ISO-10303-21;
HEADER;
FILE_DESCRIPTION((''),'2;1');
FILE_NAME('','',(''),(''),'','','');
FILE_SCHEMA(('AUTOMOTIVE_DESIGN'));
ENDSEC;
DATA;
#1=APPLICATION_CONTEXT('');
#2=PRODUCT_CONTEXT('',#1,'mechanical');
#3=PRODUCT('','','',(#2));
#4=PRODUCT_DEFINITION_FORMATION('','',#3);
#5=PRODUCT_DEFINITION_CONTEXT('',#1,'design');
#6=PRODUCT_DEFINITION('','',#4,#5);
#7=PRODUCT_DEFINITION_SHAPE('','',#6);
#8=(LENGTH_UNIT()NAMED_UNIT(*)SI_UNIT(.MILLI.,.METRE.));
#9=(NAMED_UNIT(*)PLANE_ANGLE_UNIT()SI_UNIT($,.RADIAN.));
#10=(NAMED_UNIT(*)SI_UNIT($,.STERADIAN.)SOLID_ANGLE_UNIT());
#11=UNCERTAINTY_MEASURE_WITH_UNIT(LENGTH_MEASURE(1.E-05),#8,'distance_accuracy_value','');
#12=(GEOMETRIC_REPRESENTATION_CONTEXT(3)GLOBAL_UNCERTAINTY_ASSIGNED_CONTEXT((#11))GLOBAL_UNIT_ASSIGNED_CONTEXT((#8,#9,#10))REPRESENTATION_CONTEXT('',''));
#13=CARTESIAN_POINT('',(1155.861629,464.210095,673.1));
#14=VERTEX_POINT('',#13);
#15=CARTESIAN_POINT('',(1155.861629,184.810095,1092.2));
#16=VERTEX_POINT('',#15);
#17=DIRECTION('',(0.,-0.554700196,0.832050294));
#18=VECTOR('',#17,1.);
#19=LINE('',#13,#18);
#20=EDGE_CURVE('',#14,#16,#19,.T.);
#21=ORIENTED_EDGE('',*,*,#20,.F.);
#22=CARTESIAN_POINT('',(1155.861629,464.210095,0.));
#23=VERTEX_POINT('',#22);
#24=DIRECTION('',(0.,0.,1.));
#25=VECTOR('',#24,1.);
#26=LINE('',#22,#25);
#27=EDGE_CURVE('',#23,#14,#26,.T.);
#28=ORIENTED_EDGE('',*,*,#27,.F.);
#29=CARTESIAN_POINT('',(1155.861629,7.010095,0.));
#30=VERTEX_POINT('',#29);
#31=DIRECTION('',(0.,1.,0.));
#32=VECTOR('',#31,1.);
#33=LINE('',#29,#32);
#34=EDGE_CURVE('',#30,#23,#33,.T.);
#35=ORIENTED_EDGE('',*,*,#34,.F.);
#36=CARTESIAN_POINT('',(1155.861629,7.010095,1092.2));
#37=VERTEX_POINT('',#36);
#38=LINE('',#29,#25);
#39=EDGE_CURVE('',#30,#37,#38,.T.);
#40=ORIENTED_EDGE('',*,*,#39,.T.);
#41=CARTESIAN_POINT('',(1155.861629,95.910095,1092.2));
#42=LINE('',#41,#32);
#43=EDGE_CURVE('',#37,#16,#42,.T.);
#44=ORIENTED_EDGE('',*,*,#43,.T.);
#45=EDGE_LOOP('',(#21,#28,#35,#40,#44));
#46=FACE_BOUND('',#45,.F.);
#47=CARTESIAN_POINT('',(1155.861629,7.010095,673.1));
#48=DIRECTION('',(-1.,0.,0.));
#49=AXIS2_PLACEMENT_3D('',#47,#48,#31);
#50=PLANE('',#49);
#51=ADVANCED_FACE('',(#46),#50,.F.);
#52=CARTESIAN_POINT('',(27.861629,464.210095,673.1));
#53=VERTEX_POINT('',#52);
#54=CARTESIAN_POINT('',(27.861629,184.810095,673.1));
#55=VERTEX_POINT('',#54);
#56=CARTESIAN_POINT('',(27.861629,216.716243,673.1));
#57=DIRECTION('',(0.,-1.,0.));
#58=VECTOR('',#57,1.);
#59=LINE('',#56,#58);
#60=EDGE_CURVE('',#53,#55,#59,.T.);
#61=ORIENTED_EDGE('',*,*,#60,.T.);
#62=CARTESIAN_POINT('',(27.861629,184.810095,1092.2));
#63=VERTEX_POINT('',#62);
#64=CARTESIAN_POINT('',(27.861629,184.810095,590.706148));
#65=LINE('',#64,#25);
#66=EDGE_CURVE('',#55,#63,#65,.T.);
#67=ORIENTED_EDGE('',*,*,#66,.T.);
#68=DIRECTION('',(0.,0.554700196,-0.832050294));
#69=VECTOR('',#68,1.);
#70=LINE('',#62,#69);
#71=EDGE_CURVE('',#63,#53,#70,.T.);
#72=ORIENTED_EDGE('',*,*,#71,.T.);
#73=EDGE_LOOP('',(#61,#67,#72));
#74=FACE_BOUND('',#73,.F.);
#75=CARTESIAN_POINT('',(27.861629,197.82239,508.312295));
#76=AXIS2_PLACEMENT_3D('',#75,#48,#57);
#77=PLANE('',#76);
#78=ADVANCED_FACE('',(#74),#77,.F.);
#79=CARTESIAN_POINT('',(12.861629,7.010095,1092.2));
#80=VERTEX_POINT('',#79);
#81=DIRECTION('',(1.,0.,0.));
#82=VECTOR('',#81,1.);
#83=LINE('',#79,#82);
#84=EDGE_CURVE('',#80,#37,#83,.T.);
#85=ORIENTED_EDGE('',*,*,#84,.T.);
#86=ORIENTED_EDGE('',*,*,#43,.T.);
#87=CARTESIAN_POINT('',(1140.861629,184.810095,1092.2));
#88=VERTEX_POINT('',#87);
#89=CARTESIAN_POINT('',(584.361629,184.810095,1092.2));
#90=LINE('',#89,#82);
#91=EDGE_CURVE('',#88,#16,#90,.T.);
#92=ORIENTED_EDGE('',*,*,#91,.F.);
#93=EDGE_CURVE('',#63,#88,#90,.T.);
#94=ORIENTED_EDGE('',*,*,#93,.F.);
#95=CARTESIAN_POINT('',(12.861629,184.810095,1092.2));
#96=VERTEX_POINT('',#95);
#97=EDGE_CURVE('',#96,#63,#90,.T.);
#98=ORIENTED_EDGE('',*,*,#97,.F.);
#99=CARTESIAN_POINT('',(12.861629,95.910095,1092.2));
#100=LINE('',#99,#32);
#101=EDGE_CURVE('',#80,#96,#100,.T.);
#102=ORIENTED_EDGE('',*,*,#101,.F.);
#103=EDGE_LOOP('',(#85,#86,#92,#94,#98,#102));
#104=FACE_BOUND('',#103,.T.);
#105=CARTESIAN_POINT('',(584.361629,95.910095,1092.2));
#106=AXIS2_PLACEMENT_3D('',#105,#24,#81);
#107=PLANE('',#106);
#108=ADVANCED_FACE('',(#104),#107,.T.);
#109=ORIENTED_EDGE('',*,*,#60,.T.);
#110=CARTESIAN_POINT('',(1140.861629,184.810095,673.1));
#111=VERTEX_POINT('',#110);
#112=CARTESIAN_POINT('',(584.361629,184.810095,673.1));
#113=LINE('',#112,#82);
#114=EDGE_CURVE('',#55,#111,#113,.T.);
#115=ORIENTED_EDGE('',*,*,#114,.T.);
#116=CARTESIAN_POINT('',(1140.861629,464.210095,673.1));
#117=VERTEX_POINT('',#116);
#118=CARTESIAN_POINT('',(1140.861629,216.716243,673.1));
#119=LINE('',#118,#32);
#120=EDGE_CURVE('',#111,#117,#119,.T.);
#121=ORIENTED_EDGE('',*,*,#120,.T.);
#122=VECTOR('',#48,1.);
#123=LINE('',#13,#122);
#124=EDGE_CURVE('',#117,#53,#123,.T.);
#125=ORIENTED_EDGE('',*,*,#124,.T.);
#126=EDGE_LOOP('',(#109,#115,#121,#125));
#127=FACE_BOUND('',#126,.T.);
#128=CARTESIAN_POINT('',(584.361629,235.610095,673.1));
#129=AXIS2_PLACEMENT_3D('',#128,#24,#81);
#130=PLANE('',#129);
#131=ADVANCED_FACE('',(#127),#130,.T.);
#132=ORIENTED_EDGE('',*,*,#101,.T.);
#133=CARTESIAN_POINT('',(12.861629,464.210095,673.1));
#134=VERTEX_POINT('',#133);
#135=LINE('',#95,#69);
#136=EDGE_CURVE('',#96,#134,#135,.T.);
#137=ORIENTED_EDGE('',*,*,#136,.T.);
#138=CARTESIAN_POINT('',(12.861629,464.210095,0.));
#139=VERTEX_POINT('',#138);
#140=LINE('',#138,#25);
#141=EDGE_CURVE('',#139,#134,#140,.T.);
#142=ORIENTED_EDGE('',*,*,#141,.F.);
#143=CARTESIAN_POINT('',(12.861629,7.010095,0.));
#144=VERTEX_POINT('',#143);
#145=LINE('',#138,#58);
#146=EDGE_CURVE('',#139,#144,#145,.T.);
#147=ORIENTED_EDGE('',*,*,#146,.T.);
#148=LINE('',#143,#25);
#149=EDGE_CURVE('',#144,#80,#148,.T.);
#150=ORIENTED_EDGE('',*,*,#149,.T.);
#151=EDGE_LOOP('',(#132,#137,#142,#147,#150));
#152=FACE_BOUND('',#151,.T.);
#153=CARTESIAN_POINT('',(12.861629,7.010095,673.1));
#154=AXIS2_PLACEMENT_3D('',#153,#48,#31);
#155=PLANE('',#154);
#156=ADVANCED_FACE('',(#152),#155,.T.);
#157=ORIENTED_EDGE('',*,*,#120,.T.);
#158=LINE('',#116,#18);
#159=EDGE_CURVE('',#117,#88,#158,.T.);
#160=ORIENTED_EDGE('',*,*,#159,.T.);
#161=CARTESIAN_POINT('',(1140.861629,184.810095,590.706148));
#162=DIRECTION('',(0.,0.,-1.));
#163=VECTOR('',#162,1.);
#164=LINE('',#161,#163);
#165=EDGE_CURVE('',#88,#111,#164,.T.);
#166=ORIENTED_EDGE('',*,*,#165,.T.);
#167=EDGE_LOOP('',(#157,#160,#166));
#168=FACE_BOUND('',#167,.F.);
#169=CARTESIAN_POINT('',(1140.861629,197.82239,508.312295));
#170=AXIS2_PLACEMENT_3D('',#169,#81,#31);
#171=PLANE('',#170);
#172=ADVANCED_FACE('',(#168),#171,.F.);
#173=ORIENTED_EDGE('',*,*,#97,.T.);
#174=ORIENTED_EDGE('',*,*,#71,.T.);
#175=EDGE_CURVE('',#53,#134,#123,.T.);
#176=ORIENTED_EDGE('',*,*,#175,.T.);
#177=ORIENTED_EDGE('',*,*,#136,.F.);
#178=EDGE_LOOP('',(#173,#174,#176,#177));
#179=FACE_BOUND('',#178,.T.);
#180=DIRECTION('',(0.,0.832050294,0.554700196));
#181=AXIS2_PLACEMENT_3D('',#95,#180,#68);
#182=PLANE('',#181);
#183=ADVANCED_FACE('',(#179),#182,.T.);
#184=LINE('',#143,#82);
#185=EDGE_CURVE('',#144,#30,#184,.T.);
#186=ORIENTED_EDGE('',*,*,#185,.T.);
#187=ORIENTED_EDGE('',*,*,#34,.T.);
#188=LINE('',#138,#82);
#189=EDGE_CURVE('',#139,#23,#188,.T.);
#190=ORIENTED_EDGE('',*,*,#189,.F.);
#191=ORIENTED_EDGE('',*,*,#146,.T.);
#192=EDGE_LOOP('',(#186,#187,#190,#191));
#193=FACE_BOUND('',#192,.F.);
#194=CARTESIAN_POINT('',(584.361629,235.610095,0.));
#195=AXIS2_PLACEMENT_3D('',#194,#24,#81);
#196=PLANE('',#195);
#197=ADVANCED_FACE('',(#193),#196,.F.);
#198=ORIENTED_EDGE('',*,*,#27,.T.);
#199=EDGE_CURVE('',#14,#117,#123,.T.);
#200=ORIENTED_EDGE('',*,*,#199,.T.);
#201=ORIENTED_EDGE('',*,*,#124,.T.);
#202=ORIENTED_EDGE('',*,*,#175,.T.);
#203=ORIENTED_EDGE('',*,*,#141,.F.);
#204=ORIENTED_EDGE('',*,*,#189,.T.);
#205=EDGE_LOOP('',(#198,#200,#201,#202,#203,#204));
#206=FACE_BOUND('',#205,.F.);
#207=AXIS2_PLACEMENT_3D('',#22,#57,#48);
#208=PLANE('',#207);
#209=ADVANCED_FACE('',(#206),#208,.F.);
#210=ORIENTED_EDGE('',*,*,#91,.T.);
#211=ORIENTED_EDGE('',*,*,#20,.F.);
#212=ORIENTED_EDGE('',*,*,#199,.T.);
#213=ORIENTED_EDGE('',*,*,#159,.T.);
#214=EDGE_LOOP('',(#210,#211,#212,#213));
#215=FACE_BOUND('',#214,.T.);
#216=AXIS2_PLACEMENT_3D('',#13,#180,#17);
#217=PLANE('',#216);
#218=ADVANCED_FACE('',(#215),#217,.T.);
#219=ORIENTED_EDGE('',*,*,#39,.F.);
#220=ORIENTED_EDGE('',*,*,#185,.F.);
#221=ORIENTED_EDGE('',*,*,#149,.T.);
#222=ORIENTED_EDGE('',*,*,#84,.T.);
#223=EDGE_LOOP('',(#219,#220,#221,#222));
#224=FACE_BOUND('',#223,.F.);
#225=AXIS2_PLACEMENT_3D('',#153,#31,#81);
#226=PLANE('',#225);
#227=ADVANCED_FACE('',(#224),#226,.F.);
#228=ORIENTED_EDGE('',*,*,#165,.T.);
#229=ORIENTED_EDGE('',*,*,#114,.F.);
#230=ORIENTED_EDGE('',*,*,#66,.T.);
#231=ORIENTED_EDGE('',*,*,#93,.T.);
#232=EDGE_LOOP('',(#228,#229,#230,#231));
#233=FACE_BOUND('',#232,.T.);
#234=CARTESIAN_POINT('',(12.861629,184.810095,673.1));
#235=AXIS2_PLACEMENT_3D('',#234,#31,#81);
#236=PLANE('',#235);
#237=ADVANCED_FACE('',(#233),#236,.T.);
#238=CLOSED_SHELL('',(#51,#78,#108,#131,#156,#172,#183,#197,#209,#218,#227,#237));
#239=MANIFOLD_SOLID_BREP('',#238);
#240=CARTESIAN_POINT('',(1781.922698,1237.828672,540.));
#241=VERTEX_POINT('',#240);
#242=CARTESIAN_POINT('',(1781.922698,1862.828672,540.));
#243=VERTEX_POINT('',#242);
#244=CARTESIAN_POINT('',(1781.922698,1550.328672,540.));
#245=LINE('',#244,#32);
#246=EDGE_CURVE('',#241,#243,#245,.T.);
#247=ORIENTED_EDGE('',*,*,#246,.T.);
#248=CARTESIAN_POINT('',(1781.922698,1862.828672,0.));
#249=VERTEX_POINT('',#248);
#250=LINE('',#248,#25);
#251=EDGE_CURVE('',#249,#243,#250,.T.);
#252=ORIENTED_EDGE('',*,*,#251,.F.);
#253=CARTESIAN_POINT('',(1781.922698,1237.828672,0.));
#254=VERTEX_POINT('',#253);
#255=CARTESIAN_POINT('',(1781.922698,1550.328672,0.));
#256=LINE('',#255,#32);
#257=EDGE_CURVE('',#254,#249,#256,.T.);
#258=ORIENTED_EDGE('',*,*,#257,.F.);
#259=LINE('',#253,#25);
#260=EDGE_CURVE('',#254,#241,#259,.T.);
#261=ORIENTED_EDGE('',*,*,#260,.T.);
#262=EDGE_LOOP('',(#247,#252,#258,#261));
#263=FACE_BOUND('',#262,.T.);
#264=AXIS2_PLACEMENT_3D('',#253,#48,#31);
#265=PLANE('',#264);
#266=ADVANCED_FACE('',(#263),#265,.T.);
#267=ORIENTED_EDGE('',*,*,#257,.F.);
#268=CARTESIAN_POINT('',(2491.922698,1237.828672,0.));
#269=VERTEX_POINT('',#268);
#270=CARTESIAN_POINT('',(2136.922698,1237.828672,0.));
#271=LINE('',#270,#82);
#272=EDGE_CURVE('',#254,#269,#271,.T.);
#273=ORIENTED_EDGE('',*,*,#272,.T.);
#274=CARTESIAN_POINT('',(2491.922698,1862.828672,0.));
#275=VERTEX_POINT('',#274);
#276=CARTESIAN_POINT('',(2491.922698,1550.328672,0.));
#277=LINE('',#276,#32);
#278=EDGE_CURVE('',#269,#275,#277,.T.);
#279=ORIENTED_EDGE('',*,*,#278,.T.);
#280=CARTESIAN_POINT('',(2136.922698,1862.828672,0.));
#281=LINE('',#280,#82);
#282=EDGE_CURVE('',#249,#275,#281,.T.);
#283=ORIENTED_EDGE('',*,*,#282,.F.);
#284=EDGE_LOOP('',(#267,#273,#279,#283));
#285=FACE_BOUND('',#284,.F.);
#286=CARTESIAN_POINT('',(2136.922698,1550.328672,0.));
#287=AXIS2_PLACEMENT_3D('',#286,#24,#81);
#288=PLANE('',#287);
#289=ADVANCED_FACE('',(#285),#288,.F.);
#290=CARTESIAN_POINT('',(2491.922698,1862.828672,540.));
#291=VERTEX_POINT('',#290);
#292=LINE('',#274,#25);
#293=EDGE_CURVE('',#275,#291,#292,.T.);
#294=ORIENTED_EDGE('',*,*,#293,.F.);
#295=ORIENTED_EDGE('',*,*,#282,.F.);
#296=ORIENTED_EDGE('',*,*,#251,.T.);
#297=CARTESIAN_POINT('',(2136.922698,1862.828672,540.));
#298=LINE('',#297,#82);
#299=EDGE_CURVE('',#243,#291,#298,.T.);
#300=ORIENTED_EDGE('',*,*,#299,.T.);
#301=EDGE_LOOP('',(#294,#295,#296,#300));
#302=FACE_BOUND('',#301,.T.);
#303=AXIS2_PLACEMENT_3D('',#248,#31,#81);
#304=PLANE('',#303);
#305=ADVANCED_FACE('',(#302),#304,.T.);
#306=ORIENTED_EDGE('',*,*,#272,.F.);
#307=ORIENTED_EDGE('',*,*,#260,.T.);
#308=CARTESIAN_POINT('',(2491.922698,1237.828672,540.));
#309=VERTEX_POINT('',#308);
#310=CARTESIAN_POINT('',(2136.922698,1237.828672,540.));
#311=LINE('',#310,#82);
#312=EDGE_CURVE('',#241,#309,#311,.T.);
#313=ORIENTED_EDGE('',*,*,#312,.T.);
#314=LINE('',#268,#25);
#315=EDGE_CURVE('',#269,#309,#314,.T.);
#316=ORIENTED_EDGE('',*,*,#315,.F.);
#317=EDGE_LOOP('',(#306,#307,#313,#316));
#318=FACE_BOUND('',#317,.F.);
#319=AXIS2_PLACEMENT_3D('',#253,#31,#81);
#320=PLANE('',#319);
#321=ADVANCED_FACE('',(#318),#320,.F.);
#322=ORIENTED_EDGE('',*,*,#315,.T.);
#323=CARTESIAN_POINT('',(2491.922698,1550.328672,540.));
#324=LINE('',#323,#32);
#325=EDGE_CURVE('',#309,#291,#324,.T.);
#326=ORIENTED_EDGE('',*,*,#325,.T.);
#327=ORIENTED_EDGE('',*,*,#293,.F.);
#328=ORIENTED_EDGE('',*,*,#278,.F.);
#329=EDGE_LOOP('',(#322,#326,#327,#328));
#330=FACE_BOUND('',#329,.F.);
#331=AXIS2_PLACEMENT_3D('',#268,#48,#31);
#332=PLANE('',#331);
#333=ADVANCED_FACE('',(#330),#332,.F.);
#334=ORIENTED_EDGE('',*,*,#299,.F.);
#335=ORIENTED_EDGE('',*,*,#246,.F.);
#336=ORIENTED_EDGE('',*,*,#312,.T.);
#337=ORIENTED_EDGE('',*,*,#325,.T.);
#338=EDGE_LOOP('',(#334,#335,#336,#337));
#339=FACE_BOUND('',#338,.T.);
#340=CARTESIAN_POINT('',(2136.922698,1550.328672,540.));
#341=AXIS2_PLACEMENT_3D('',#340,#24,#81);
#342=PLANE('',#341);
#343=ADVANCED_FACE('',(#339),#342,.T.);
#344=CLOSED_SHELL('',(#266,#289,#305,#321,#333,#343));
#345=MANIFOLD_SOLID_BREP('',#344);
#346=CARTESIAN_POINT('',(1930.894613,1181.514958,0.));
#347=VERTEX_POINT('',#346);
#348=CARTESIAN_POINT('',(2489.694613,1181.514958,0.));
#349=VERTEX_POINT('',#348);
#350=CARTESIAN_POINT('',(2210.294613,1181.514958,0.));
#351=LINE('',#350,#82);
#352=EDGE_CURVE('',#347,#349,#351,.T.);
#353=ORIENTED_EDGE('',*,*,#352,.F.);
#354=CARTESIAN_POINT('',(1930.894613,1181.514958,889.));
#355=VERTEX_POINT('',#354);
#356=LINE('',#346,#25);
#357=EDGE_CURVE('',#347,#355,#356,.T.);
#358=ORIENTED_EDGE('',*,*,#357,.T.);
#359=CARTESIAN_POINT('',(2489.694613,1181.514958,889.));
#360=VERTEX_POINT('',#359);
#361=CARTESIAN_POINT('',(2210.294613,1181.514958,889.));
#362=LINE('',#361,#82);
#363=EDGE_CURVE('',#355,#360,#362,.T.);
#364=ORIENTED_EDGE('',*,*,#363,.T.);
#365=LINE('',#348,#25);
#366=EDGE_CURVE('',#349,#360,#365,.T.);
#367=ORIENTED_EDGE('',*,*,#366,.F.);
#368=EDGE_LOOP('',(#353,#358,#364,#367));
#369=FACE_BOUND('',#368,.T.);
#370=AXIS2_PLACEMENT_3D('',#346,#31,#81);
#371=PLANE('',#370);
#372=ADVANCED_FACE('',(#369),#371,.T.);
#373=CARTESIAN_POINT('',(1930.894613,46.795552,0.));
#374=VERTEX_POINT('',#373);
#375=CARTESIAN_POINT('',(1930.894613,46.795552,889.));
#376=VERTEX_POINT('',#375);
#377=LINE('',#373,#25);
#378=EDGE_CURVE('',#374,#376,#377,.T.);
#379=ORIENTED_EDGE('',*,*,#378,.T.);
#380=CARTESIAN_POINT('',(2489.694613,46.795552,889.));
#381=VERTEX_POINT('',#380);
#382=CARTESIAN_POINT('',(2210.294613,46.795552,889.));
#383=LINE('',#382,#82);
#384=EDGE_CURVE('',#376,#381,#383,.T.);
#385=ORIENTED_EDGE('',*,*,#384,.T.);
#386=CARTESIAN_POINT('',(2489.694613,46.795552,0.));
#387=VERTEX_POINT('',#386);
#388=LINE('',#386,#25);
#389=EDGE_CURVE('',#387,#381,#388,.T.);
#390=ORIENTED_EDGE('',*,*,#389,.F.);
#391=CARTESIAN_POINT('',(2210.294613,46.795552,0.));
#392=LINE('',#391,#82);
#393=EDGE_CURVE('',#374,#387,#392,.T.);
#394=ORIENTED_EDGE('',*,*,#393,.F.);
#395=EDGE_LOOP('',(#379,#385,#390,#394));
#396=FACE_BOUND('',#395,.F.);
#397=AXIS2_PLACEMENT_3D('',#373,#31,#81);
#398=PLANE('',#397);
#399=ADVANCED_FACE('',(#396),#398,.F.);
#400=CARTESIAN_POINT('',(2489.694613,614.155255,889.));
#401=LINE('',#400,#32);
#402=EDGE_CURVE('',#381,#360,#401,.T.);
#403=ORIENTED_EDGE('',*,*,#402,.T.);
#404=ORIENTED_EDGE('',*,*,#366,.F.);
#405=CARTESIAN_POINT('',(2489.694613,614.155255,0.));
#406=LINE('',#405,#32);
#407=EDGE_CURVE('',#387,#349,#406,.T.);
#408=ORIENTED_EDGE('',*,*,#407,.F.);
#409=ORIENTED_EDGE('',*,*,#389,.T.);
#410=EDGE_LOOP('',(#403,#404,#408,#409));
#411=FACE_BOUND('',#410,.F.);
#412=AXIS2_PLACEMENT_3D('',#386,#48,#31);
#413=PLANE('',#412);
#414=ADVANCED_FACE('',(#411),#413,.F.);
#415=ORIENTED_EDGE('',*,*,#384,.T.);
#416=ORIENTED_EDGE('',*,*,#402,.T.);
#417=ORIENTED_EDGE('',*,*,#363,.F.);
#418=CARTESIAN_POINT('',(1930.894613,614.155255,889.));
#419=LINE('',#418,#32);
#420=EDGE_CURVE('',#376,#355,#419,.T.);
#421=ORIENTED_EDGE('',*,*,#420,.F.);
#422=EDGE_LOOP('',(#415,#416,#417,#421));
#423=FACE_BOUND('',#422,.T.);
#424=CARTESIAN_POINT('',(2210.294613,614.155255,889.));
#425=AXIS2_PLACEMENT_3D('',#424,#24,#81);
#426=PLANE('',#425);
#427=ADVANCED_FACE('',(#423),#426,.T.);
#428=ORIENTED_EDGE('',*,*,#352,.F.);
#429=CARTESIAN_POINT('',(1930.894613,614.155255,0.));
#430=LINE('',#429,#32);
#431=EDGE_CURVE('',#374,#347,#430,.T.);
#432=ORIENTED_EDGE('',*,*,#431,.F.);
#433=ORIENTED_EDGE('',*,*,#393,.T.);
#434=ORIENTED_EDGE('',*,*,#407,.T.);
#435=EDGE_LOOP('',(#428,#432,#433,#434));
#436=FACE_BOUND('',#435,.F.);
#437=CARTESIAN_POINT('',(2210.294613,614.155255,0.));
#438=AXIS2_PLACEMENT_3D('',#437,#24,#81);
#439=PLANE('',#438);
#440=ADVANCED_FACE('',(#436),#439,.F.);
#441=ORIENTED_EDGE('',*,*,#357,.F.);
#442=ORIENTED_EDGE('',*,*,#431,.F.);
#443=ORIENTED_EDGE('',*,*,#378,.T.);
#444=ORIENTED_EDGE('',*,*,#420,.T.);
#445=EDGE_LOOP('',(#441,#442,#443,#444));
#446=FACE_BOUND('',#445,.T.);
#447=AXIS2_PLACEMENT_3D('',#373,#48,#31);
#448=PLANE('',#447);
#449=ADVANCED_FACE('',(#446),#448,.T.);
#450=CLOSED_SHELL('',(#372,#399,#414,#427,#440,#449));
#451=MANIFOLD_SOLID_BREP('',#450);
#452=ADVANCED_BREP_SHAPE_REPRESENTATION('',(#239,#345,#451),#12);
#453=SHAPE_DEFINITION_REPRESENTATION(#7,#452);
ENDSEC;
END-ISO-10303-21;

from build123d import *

# Parameters (mm, degrees)
F0_W     = 558.8
F0_H     = 1134.719407
F1_DEPTH = 889
F2_DEPTH = 673.1
F3_W     = 1143
F3_H     = 177.8
F4_DEPTH = 419.1
F6_DEPTH = 15
F8_DEPTH = 15
F0_W_2   = 710
F0_H_2   = 625
F9_DEPTH = 540


with BuildPart() as f1:
    # F0 (on Top) → F1 (new body)
    with BuildSketch(Plane.XY):
        with Locations((2210.294613, 614.155255)):
            Rectangle(F0_W, F0_H)
    extrude(amount=F1_DEPTH)


with BuildPart() as f2:
    # F0 (on Top) → F2 (new body)
    with BuildSketch(Plane.XY):
        Polygon((12.861629, 464.210095), (12.861629, 7.010095), (1117, 7.010095), (1155.861629, 7.010095), (1155.861629, 464.210095), align=None)
    extrude(amount=F2_DEPTH)

    # F3 (on face) → F4 (join)
    with BuildSketch(Plane.XY.offset(673.1)):
        with Locations((584.361629, 95.910095)):
            Rectangle(F3_W, F3_H)
    extrude(amount=F4_DEPTH)

    # F5 (on face) → F6 (join)
    with BuildSketch(Plane.YZ.offset(1155.861629)):
        Polygon((184.810095, 673.1), (184.810095, 1092.2), (7.010095, 1092.2), (7.010095, 0), (464.210095, 0), (464.210095, 673.1), align=None)
        Polygon((464.210095, 673.1), (184.810095, 1092.2), (184.810095, 673.1), align=None)
    extrude(amount=-F6_DEPTH)

    # F7 (on face) → F8 (join)
    with BuildSketch(Plane(origin=(12.861629, 0, 0), x_dir=(0, -1, 0), z_dir=(-1, 0, 0))):
        Polygon((-184.810095, 673.1), (-464.210095, 673.1), (-464.210095, 0), (-7.010095, 0), (-7.010095, 1092.2), (-184.810095, 1092.2), align=None)
        Polygon((-184.810095, 1092.2), (-464.210095, 673.1), (-184.810095, 673.1), align=None)
    extrude(amount=-F8_DEPTH)


with BuildPart() as f9:
    # F0 (on Top) → F9 (new body)
    with BuildSketch(Plane.XY):
        with Locations((2136.922698, 1550.328672)):
            Rectangle(F0_W_2, F0_H_2)
    extrude(amount=F9_DEPTH)


solid = Compound([f1.part, f2.part, f9.part])
